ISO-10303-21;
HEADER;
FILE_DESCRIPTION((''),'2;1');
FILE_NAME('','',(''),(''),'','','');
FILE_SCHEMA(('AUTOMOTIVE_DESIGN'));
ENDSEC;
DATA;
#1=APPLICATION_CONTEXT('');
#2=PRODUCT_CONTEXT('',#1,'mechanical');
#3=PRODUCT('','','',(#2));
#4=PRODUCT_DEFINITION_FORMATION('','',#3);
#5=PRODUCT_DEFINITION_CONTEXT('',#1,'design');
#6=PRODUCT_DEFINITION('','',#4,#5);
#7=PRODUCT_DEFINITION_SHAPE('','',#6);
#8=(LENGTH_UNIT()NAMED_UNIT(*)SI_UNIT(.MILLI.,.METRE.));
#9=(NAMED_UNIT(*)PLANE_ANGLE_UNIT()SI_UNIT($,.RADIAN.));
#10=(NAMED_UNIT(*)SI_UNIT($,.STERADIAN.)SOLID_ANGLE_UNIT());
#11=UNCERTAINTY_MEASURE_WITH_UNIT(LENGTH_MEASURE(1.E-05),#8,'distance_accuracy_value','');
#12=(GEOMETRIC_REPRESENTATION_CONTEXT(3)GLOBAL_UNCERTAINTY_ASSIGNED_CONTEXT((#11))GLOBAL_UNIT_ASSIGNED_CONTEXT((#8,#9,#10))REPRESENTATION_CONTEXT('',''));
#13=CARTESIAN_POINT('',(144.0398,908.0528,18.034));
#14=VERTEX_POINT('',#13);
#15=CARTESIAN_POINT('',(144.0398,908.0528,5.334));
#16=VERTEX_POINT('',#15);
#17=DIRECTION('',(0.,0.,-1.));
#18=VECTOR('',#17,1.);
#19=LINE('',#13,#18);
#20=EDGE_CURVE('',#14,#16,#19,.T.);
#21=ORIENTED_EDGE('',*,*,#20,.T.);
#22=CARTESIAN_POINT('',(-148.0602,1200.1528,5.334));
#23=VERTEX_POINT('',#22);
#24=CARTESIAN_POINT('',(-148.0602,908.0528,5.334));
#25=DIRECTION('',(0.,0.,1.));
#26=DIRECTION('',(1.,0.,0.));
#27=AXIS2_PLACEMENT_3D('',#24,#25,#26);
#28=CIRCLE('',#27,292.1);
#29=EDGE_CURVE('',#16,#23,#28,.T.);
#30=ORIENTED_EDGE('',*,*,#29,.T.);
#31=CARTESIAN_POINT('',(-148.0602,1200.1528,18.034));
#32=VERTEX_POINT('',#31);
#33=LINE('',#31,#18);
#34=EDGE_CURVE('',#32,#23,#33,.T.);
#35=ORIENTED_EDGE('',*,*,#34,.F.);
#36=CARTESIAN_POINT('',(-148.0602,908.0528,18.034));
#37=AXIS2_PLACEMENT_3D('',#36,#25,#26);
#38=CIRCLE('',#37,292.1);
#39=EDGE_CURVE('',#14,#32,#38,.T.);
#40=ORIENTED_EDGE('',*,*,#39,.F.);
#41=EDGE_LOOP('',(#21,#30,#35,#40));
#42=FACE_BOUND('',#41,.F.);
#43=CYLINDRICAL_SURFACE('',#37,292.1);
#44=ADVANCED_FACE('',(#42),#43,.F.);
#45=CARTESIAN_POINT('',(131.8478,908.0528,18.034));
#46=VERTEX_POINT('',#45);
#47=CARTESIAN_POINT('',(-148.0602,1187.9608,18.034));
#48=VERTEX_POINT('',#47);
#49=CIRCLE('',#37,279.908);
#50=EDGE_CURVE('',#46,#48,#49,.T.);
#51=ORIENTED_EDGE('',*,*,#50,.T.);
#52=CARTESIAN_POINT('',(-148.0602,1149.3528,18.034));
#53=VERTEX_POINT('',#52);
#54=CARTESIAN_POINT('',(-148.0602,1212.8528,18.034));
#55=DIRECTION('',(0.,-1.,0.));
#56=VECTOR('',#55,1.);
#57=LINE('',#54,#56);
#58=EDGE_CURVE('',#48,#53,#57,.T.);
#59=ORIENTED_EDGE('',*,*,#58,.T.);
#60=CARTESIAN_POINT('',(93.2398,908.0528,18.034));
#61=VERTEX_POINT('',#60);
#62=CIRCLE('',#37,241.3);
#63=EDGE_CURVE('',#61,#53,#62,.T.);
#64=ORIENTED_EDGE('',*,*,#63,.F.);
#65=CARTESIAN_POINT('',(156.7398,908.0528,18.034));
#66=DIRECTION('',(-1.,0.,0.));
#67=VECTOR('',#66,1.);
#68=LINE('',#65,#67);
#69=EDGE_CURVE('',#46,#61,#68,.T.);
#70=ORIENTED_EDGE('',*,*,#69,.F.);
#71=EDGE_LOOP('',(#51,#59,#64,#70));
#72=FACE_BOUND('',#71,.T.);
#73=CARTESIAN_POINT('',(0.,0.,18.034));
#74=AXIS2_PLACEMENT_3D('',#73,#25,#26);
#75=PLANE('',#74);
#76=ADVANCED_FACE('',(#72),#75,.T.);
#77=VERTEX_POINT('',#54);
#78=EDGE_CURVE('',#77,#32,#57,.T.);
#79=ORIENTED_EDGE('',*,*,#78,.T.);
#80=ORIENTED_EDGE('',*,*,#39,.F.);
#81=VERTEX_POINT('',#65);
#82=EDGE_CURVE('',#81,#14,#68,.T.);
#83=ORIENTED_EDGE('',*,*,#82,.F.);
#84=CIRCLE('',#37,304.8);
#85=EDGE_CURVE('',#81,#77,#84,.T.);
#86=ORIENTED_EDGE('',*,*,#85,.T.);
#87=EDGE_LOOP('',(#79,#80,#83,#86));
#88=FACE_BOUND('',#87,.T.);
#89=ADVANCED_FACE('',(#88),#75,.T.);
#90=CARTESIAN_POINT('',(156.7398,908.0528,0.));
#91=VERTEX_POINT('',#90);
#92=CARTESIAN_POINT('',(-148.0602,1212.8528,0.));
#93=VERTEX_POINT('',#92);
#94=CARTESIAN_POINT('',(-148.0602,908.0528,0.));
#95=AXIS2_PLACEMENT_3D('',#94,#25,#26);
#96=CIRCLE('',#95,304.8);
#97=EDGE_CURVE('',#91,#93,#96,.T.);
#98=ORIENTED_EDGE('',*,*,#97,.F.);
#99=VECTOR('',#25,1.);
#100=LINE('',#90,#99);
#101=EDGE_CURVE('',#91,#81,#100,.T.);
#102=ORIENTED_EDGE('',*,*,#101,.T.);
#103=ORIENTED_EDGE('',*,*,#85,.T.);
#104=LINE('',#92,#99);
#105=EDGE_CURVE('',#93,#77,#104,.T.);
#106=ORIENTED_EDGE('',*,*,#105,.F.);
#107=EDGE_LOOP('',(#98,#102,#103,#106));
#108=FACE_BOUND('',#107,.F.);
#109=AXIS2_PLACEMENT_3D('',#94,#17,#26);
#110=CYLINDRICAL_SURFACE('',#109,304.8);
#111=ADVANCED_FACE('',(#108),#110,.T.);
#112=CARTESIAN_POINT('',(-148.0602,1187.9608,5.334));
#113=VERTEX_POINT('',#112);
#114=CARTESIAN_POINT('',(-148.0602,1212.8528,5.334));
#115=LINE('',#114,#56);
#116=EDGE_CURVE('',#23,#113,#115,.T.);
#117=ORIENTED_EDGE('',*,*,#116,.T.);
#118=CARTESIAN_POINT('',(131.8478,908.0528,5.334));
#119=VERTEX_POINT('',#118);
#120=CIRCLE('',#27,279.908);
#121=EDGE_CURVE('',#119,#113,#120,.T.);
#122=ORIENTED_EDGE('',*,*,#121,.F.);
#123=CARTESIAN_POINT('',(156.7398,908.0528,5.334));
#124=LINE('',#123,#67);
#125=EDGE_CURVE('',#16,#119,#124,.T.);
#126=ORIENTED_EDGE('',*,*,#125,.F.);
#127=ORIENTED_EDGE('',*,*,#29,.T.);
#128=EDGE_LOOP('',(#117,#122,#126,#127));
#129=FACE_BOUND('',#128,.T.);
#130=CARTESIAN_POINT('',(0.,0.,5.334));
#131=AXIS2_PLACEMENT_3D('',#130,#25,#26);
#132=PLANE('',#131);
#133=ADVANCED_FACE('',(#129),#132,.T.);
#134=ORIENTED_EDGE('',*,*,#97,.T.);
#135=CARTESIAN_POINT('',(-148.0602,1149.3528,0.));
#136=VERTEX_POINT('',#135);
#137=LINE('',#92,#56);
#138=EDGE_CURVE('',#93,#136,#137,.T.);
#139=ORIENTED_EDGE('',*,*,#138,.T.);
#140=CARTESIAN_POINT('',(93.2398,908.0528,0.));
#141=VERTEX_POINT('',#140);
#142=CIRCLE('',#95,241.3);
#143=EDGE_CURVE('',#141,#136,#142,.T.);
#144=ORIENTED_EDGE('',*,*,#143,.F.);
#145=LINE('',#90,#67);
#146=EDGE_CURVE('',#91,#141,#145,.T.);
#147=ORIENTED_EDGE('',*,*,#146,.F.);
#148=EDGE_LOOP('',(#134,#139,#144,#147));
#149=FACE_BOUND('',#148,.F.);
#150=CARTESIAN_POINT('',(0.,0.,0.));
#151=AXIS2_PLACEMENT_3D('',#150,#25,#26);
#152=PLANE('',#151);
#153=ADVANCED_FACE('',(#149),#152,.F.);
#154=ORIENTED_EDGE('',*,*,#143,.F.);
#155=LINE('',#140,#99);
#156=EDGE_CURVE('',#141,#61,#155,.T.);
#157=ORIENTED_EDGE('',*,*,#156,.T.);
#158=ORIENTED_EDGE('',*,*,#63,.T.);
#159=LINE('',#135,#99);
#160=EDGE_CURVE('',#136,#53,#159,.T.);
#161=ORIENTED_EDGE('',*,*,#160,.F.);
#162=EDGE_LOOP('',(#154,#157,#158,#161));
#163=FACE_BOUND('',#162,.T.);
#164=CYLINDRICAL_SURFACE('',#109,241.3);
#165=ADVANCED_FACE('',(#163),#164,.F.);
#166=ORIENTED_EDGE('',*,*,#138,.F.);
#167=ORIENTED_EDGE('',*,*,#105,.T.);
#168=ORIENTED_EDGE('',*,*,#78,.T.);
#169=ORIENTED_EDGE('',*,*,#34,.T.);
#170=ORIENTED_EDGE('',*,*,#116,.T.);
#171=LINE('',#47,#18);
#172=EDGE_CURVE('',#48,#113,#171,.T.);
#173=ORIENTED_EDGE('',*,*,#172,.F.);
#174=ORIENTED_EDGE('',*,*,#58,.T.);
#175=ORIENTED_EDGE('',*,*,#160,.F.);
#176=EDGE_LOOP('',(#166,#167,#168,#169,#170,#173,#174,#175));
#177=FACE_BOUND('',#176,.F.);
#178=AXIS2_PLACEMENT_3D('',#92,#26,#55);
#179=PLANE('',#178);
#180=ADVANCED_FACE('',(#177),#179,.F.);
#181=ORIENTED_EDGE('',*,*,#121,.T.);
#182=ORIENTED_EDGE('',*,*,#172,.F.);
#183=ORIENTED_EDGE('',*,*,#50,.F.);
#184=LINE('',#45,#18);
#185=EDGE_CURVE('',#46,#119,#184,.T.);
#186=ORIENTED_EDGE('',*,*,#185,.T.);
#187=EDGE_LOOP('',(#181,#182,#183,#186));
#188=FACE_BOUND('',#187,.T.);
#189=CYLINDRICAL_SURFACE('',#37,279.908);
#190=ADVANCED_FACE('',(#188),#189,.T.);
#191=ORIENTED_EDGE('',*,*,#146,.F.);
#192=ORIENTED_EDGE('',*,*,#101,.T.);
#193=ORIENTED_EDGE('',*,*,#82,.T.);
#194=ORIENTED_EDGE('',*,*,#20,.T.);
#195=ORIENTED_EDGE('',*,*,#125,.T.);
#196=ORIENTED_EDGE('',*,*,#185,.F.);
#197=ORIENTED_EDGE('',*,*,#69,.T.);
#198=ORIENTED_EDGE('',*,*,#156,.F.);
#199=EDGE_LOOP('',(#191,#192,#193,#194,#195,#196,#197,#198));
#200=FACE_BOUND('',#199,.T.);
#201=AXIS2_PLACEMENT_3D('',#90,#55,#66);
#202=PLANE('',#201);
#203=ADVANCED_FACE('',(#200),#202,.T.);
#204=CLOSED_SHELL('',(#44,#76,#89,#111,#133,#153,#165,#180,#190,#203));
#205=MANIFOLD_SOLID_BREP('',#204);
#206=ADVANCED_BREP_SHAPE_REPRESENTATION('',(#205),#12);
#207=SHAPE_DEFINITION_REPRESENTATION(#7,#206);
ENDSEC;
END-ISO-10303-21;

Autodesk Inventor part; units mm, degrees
ref_plane "YZ Plane" through (0, 0, 0) normal (1, 0, 0) x (0, 1, 0)
ref_plane "XZ Plane" through (0, 0, 0) normal (0, 1, 0) x (-1, 0, 0)
ref_plane "XY Plane" through (0, 0, 0) normal (0, 0, 1) x (1, 0, 0)
ref_plane "Work Plane1" through (0, 0, 0) normal (0, 0, 1) x (1, 0, 0)
sketch "Sketch1" plane through (0, 0, 0) normal (0, 0, 1) x (1, 0, 0)
  line L0 (156.7398, 908.0528) -> (93.2398, 908.0528) projected
  line L1 (-389.3602, 908.0528) -> (-452.8602, 908.0528) projected
  arc A0 (156.7398, 908.0528) -> (-452.8602, 908.0528) centre (-148.0602, 908.0528) ccw projected
  arc A1 (93.2398, 908.0528) -> (-148.0602, 1149.3528) centre (-148.0602, 908.0528) ccw
  arc A2 (156.7398, 908.0528) -> (-148.0602, 1212.8528) centre (-148.0602, 908.0528) ccw
  line L2 (93.2398, 908.0528) -> (156.7398, 908.0528)
  line L3 (-148.0602, 1212.8528) -> (-148.0602, 1149.3528)
  point P0 (0, 0)
  dimension "d0" = 304.8
extrude "Extrusion1" add sketch "Sketch1" along normal blind 18.034
sketch "Sketch2" plane through (0, 0, 18.034) normal (0, 0, 1) x (1, 0, 0)
  arc A0 (156.7398, 908.0528) -> (-148.0602, 1212.8528) centre (-148.0602, 908.0528) ccw projected
  arc A1 (144.0398, 908.0528) -> (-148.0602, 1200.1528) centre (-148.0602, 908.0528) ccw
  arc A2 (131.8478, 908.0528) -> (-148.0602, 1187.9608) centre (-148.0602, 908.0528) ccw
  line L0 (156.7398, 908.0528) -> (93.2398, 908.0528) projected
  line L1 (93.2398, 908.0528) -> (156.7398, 908.0528) projected
  arc A3 (-148.0602, 1200.1528) -> (-148.0602, 1187.9608) centre (-148.0069, 1194.0568) ccw
  line L2 (-148.0602, 1212.8528) -> (-148.0602, 1149.3528) projected
  arc A4 (131.8478, 908.0528) -> (144.0398, 908.0528) centre (137.9438, 908.0528) ccw
  point P0 (0, 0)
  point P1 (-154.1031, 1194.0568)
  dimension "d3" = 12.7
  dimension "pathW" = 12.192
extrude "Extrusion2" cut sketch "Sketch2" against normal blind 12.7 contours L0 A2 L2 A1
properties part number "HOT ThermoTop x2" material "Rubber, Butyl"
